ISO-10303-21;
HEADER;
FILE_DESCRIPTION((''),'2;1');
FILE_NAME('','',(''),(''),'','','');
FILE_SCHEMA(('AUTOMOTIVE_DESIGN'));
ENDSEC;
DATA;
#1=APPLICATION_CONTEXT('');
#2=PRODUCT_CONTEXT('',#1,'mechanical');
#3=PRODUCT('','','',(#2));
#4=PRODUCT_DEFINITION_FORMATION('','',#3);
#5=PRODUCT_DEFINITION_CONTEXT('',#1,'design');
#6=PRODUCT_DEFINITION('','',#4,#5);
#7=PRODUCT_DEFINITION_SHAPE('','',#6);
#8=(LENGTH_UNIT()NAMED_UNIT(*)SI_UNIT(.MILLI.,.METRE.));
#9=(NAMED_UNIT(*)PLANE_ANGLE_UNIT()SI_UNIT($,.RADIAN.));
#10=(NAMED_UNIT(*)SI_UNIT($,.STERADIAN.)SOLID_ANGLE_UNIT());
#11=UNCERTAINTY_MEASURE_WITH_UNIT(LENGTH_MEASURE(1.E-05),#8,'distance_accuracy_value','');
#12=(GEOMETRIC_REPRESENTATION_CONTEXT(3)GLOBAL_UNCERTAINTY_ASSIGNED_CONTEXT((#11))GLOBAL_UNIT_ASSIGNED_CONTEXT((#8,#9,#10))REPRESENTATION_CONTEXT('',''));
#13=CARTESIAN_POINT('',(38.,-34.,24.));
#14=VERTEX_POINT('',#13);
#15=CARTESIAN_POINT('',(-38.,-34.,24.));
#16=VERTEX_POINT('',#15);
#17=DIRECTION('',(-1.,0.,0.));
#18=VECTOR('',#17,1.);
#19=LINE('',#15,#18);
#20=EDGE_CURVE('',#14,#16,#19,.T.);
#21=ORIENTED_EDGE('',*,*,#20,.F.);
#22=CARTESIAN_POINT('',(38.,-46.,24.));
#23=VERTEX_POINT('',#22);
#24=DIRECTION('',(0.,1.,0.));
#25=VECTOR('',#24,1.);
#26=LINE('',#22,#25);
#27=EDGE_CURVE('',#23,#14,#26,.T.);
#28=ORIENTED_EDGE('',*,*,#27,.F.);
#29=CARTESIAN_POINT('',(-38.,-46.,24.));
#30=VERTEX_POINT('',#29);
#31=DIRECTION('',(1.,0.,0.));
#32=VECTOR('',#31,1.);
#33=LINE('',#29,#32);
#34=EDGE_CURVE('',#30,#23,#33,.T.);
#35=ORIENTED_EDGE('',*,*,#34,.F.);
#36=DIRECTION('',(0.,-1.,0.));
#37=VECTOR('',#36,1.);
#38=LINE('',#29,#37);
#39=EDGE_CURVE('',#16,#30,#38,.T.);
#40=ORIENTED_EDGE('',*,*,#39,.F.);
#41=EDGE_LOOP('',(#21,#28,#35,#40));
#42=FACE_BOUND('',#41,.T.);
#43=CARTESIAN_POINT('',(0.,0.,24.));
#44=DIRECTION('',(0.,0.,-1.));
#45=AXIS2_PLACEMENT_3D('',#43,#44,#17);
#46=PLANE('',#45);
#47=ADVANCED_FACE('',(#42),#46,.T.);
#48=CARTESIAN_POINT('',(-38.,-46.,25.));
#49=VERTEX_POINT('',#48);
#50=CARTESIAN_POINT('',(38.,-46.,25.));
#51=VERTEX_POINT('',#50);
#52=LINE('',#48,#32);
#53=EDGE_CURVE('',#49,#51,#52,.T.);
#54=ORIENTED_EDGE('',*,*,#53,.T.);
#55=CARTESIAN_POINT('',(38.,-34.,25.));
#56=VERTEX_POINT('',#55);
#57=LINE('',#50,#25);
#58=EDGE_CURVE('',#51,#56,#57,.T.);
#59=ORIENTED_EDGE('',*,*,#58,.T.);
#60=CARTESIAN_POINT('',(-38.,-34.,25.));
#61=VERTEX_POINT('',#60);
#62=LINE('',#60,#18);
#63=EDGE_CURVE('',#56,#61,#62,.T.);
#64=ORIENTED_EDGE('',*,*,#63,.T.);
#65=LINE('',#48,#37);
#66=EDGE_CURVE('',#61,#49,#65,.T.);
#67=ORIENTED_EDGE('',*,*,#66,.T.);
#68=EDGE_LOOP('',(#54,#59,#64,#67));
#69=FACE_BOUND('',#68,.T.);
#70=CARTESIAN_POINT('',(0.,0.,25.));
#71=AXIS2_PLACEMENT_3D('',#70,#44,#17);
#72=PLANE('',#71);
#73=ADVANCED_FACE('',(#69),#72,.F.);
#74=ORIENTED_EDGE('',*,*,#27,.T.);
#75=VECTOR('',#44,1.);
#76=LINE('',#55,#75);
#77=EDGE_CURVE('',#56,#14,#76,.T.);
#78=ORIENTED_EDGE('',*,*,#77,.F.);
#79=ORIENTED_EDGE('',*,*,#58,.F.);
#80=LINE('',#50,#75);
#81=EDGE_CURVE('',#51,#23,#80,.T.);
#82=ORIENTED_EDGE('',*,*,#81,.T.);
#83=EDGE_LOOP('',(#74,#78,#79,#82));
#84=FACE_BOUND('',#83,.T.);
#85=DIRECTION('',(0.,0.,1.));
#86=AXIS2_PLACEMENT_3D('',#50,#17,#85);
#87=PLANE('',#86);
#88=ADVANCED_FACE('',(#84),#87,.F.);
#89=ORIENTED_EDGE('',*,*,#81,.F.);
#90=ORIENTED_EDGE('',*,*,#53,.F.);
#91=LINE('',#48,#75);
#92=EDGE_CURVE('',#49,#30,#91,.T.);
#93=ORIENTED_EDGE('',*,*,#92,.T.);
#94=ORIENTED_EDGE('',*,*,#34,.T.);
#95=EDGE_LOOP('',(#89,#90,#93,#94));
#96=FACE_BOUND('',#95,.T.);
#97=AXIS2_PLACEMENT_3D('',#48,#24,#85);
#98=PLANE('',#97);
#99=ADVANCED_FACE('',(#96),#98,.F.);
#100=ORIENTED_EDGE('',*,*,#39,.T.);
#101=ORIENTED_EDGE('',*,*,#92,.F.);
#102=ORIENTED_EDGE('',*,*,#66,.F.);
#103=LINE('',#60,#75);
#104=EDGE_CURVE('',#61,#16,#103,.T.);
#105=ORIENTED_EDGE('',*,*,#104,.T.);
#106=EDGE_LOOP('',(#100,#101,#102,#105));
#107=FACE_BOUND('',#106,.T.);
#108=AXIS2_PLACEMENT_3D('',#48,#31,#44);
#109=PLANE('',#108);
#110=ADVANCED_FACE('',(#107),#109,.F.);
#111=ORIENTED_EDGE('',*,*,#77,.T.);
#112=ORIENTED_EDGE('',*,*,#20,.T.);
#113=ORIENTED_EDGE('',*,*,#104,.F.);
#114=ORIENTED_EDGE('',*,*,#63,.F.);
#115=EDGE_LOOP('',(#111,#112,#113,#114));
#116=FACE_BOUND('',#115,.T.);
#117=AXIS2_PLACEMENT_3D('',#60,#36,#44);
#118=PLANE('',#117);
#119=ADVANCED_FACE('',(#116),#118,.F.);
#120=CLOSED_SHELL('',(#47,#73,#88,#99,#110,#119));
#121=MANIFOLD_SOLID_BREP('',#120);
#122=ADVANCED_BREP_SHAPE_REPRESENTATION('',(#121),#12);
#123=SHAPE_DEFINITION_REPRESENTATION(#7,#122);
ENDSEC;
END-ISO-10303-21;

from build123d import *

# Parameters (mm, degrees)
SKETCH1_W           = 76
SKETCH1_H           = 12
BOSS_EXTRUDE1_DEPTH = 1


with BuildPart() as part:
    # Sketch1 → Boss-Extrude1 (new body)
    with BuildSketch(Plane.XY.offset(24)):
        with Locations((0, -40)):
            Rectangle(SKETCH1_W, SKETCH1_H)
    extrude(amount=BOSS_EXTRUDE1_DEPTH)


solid = part.part
